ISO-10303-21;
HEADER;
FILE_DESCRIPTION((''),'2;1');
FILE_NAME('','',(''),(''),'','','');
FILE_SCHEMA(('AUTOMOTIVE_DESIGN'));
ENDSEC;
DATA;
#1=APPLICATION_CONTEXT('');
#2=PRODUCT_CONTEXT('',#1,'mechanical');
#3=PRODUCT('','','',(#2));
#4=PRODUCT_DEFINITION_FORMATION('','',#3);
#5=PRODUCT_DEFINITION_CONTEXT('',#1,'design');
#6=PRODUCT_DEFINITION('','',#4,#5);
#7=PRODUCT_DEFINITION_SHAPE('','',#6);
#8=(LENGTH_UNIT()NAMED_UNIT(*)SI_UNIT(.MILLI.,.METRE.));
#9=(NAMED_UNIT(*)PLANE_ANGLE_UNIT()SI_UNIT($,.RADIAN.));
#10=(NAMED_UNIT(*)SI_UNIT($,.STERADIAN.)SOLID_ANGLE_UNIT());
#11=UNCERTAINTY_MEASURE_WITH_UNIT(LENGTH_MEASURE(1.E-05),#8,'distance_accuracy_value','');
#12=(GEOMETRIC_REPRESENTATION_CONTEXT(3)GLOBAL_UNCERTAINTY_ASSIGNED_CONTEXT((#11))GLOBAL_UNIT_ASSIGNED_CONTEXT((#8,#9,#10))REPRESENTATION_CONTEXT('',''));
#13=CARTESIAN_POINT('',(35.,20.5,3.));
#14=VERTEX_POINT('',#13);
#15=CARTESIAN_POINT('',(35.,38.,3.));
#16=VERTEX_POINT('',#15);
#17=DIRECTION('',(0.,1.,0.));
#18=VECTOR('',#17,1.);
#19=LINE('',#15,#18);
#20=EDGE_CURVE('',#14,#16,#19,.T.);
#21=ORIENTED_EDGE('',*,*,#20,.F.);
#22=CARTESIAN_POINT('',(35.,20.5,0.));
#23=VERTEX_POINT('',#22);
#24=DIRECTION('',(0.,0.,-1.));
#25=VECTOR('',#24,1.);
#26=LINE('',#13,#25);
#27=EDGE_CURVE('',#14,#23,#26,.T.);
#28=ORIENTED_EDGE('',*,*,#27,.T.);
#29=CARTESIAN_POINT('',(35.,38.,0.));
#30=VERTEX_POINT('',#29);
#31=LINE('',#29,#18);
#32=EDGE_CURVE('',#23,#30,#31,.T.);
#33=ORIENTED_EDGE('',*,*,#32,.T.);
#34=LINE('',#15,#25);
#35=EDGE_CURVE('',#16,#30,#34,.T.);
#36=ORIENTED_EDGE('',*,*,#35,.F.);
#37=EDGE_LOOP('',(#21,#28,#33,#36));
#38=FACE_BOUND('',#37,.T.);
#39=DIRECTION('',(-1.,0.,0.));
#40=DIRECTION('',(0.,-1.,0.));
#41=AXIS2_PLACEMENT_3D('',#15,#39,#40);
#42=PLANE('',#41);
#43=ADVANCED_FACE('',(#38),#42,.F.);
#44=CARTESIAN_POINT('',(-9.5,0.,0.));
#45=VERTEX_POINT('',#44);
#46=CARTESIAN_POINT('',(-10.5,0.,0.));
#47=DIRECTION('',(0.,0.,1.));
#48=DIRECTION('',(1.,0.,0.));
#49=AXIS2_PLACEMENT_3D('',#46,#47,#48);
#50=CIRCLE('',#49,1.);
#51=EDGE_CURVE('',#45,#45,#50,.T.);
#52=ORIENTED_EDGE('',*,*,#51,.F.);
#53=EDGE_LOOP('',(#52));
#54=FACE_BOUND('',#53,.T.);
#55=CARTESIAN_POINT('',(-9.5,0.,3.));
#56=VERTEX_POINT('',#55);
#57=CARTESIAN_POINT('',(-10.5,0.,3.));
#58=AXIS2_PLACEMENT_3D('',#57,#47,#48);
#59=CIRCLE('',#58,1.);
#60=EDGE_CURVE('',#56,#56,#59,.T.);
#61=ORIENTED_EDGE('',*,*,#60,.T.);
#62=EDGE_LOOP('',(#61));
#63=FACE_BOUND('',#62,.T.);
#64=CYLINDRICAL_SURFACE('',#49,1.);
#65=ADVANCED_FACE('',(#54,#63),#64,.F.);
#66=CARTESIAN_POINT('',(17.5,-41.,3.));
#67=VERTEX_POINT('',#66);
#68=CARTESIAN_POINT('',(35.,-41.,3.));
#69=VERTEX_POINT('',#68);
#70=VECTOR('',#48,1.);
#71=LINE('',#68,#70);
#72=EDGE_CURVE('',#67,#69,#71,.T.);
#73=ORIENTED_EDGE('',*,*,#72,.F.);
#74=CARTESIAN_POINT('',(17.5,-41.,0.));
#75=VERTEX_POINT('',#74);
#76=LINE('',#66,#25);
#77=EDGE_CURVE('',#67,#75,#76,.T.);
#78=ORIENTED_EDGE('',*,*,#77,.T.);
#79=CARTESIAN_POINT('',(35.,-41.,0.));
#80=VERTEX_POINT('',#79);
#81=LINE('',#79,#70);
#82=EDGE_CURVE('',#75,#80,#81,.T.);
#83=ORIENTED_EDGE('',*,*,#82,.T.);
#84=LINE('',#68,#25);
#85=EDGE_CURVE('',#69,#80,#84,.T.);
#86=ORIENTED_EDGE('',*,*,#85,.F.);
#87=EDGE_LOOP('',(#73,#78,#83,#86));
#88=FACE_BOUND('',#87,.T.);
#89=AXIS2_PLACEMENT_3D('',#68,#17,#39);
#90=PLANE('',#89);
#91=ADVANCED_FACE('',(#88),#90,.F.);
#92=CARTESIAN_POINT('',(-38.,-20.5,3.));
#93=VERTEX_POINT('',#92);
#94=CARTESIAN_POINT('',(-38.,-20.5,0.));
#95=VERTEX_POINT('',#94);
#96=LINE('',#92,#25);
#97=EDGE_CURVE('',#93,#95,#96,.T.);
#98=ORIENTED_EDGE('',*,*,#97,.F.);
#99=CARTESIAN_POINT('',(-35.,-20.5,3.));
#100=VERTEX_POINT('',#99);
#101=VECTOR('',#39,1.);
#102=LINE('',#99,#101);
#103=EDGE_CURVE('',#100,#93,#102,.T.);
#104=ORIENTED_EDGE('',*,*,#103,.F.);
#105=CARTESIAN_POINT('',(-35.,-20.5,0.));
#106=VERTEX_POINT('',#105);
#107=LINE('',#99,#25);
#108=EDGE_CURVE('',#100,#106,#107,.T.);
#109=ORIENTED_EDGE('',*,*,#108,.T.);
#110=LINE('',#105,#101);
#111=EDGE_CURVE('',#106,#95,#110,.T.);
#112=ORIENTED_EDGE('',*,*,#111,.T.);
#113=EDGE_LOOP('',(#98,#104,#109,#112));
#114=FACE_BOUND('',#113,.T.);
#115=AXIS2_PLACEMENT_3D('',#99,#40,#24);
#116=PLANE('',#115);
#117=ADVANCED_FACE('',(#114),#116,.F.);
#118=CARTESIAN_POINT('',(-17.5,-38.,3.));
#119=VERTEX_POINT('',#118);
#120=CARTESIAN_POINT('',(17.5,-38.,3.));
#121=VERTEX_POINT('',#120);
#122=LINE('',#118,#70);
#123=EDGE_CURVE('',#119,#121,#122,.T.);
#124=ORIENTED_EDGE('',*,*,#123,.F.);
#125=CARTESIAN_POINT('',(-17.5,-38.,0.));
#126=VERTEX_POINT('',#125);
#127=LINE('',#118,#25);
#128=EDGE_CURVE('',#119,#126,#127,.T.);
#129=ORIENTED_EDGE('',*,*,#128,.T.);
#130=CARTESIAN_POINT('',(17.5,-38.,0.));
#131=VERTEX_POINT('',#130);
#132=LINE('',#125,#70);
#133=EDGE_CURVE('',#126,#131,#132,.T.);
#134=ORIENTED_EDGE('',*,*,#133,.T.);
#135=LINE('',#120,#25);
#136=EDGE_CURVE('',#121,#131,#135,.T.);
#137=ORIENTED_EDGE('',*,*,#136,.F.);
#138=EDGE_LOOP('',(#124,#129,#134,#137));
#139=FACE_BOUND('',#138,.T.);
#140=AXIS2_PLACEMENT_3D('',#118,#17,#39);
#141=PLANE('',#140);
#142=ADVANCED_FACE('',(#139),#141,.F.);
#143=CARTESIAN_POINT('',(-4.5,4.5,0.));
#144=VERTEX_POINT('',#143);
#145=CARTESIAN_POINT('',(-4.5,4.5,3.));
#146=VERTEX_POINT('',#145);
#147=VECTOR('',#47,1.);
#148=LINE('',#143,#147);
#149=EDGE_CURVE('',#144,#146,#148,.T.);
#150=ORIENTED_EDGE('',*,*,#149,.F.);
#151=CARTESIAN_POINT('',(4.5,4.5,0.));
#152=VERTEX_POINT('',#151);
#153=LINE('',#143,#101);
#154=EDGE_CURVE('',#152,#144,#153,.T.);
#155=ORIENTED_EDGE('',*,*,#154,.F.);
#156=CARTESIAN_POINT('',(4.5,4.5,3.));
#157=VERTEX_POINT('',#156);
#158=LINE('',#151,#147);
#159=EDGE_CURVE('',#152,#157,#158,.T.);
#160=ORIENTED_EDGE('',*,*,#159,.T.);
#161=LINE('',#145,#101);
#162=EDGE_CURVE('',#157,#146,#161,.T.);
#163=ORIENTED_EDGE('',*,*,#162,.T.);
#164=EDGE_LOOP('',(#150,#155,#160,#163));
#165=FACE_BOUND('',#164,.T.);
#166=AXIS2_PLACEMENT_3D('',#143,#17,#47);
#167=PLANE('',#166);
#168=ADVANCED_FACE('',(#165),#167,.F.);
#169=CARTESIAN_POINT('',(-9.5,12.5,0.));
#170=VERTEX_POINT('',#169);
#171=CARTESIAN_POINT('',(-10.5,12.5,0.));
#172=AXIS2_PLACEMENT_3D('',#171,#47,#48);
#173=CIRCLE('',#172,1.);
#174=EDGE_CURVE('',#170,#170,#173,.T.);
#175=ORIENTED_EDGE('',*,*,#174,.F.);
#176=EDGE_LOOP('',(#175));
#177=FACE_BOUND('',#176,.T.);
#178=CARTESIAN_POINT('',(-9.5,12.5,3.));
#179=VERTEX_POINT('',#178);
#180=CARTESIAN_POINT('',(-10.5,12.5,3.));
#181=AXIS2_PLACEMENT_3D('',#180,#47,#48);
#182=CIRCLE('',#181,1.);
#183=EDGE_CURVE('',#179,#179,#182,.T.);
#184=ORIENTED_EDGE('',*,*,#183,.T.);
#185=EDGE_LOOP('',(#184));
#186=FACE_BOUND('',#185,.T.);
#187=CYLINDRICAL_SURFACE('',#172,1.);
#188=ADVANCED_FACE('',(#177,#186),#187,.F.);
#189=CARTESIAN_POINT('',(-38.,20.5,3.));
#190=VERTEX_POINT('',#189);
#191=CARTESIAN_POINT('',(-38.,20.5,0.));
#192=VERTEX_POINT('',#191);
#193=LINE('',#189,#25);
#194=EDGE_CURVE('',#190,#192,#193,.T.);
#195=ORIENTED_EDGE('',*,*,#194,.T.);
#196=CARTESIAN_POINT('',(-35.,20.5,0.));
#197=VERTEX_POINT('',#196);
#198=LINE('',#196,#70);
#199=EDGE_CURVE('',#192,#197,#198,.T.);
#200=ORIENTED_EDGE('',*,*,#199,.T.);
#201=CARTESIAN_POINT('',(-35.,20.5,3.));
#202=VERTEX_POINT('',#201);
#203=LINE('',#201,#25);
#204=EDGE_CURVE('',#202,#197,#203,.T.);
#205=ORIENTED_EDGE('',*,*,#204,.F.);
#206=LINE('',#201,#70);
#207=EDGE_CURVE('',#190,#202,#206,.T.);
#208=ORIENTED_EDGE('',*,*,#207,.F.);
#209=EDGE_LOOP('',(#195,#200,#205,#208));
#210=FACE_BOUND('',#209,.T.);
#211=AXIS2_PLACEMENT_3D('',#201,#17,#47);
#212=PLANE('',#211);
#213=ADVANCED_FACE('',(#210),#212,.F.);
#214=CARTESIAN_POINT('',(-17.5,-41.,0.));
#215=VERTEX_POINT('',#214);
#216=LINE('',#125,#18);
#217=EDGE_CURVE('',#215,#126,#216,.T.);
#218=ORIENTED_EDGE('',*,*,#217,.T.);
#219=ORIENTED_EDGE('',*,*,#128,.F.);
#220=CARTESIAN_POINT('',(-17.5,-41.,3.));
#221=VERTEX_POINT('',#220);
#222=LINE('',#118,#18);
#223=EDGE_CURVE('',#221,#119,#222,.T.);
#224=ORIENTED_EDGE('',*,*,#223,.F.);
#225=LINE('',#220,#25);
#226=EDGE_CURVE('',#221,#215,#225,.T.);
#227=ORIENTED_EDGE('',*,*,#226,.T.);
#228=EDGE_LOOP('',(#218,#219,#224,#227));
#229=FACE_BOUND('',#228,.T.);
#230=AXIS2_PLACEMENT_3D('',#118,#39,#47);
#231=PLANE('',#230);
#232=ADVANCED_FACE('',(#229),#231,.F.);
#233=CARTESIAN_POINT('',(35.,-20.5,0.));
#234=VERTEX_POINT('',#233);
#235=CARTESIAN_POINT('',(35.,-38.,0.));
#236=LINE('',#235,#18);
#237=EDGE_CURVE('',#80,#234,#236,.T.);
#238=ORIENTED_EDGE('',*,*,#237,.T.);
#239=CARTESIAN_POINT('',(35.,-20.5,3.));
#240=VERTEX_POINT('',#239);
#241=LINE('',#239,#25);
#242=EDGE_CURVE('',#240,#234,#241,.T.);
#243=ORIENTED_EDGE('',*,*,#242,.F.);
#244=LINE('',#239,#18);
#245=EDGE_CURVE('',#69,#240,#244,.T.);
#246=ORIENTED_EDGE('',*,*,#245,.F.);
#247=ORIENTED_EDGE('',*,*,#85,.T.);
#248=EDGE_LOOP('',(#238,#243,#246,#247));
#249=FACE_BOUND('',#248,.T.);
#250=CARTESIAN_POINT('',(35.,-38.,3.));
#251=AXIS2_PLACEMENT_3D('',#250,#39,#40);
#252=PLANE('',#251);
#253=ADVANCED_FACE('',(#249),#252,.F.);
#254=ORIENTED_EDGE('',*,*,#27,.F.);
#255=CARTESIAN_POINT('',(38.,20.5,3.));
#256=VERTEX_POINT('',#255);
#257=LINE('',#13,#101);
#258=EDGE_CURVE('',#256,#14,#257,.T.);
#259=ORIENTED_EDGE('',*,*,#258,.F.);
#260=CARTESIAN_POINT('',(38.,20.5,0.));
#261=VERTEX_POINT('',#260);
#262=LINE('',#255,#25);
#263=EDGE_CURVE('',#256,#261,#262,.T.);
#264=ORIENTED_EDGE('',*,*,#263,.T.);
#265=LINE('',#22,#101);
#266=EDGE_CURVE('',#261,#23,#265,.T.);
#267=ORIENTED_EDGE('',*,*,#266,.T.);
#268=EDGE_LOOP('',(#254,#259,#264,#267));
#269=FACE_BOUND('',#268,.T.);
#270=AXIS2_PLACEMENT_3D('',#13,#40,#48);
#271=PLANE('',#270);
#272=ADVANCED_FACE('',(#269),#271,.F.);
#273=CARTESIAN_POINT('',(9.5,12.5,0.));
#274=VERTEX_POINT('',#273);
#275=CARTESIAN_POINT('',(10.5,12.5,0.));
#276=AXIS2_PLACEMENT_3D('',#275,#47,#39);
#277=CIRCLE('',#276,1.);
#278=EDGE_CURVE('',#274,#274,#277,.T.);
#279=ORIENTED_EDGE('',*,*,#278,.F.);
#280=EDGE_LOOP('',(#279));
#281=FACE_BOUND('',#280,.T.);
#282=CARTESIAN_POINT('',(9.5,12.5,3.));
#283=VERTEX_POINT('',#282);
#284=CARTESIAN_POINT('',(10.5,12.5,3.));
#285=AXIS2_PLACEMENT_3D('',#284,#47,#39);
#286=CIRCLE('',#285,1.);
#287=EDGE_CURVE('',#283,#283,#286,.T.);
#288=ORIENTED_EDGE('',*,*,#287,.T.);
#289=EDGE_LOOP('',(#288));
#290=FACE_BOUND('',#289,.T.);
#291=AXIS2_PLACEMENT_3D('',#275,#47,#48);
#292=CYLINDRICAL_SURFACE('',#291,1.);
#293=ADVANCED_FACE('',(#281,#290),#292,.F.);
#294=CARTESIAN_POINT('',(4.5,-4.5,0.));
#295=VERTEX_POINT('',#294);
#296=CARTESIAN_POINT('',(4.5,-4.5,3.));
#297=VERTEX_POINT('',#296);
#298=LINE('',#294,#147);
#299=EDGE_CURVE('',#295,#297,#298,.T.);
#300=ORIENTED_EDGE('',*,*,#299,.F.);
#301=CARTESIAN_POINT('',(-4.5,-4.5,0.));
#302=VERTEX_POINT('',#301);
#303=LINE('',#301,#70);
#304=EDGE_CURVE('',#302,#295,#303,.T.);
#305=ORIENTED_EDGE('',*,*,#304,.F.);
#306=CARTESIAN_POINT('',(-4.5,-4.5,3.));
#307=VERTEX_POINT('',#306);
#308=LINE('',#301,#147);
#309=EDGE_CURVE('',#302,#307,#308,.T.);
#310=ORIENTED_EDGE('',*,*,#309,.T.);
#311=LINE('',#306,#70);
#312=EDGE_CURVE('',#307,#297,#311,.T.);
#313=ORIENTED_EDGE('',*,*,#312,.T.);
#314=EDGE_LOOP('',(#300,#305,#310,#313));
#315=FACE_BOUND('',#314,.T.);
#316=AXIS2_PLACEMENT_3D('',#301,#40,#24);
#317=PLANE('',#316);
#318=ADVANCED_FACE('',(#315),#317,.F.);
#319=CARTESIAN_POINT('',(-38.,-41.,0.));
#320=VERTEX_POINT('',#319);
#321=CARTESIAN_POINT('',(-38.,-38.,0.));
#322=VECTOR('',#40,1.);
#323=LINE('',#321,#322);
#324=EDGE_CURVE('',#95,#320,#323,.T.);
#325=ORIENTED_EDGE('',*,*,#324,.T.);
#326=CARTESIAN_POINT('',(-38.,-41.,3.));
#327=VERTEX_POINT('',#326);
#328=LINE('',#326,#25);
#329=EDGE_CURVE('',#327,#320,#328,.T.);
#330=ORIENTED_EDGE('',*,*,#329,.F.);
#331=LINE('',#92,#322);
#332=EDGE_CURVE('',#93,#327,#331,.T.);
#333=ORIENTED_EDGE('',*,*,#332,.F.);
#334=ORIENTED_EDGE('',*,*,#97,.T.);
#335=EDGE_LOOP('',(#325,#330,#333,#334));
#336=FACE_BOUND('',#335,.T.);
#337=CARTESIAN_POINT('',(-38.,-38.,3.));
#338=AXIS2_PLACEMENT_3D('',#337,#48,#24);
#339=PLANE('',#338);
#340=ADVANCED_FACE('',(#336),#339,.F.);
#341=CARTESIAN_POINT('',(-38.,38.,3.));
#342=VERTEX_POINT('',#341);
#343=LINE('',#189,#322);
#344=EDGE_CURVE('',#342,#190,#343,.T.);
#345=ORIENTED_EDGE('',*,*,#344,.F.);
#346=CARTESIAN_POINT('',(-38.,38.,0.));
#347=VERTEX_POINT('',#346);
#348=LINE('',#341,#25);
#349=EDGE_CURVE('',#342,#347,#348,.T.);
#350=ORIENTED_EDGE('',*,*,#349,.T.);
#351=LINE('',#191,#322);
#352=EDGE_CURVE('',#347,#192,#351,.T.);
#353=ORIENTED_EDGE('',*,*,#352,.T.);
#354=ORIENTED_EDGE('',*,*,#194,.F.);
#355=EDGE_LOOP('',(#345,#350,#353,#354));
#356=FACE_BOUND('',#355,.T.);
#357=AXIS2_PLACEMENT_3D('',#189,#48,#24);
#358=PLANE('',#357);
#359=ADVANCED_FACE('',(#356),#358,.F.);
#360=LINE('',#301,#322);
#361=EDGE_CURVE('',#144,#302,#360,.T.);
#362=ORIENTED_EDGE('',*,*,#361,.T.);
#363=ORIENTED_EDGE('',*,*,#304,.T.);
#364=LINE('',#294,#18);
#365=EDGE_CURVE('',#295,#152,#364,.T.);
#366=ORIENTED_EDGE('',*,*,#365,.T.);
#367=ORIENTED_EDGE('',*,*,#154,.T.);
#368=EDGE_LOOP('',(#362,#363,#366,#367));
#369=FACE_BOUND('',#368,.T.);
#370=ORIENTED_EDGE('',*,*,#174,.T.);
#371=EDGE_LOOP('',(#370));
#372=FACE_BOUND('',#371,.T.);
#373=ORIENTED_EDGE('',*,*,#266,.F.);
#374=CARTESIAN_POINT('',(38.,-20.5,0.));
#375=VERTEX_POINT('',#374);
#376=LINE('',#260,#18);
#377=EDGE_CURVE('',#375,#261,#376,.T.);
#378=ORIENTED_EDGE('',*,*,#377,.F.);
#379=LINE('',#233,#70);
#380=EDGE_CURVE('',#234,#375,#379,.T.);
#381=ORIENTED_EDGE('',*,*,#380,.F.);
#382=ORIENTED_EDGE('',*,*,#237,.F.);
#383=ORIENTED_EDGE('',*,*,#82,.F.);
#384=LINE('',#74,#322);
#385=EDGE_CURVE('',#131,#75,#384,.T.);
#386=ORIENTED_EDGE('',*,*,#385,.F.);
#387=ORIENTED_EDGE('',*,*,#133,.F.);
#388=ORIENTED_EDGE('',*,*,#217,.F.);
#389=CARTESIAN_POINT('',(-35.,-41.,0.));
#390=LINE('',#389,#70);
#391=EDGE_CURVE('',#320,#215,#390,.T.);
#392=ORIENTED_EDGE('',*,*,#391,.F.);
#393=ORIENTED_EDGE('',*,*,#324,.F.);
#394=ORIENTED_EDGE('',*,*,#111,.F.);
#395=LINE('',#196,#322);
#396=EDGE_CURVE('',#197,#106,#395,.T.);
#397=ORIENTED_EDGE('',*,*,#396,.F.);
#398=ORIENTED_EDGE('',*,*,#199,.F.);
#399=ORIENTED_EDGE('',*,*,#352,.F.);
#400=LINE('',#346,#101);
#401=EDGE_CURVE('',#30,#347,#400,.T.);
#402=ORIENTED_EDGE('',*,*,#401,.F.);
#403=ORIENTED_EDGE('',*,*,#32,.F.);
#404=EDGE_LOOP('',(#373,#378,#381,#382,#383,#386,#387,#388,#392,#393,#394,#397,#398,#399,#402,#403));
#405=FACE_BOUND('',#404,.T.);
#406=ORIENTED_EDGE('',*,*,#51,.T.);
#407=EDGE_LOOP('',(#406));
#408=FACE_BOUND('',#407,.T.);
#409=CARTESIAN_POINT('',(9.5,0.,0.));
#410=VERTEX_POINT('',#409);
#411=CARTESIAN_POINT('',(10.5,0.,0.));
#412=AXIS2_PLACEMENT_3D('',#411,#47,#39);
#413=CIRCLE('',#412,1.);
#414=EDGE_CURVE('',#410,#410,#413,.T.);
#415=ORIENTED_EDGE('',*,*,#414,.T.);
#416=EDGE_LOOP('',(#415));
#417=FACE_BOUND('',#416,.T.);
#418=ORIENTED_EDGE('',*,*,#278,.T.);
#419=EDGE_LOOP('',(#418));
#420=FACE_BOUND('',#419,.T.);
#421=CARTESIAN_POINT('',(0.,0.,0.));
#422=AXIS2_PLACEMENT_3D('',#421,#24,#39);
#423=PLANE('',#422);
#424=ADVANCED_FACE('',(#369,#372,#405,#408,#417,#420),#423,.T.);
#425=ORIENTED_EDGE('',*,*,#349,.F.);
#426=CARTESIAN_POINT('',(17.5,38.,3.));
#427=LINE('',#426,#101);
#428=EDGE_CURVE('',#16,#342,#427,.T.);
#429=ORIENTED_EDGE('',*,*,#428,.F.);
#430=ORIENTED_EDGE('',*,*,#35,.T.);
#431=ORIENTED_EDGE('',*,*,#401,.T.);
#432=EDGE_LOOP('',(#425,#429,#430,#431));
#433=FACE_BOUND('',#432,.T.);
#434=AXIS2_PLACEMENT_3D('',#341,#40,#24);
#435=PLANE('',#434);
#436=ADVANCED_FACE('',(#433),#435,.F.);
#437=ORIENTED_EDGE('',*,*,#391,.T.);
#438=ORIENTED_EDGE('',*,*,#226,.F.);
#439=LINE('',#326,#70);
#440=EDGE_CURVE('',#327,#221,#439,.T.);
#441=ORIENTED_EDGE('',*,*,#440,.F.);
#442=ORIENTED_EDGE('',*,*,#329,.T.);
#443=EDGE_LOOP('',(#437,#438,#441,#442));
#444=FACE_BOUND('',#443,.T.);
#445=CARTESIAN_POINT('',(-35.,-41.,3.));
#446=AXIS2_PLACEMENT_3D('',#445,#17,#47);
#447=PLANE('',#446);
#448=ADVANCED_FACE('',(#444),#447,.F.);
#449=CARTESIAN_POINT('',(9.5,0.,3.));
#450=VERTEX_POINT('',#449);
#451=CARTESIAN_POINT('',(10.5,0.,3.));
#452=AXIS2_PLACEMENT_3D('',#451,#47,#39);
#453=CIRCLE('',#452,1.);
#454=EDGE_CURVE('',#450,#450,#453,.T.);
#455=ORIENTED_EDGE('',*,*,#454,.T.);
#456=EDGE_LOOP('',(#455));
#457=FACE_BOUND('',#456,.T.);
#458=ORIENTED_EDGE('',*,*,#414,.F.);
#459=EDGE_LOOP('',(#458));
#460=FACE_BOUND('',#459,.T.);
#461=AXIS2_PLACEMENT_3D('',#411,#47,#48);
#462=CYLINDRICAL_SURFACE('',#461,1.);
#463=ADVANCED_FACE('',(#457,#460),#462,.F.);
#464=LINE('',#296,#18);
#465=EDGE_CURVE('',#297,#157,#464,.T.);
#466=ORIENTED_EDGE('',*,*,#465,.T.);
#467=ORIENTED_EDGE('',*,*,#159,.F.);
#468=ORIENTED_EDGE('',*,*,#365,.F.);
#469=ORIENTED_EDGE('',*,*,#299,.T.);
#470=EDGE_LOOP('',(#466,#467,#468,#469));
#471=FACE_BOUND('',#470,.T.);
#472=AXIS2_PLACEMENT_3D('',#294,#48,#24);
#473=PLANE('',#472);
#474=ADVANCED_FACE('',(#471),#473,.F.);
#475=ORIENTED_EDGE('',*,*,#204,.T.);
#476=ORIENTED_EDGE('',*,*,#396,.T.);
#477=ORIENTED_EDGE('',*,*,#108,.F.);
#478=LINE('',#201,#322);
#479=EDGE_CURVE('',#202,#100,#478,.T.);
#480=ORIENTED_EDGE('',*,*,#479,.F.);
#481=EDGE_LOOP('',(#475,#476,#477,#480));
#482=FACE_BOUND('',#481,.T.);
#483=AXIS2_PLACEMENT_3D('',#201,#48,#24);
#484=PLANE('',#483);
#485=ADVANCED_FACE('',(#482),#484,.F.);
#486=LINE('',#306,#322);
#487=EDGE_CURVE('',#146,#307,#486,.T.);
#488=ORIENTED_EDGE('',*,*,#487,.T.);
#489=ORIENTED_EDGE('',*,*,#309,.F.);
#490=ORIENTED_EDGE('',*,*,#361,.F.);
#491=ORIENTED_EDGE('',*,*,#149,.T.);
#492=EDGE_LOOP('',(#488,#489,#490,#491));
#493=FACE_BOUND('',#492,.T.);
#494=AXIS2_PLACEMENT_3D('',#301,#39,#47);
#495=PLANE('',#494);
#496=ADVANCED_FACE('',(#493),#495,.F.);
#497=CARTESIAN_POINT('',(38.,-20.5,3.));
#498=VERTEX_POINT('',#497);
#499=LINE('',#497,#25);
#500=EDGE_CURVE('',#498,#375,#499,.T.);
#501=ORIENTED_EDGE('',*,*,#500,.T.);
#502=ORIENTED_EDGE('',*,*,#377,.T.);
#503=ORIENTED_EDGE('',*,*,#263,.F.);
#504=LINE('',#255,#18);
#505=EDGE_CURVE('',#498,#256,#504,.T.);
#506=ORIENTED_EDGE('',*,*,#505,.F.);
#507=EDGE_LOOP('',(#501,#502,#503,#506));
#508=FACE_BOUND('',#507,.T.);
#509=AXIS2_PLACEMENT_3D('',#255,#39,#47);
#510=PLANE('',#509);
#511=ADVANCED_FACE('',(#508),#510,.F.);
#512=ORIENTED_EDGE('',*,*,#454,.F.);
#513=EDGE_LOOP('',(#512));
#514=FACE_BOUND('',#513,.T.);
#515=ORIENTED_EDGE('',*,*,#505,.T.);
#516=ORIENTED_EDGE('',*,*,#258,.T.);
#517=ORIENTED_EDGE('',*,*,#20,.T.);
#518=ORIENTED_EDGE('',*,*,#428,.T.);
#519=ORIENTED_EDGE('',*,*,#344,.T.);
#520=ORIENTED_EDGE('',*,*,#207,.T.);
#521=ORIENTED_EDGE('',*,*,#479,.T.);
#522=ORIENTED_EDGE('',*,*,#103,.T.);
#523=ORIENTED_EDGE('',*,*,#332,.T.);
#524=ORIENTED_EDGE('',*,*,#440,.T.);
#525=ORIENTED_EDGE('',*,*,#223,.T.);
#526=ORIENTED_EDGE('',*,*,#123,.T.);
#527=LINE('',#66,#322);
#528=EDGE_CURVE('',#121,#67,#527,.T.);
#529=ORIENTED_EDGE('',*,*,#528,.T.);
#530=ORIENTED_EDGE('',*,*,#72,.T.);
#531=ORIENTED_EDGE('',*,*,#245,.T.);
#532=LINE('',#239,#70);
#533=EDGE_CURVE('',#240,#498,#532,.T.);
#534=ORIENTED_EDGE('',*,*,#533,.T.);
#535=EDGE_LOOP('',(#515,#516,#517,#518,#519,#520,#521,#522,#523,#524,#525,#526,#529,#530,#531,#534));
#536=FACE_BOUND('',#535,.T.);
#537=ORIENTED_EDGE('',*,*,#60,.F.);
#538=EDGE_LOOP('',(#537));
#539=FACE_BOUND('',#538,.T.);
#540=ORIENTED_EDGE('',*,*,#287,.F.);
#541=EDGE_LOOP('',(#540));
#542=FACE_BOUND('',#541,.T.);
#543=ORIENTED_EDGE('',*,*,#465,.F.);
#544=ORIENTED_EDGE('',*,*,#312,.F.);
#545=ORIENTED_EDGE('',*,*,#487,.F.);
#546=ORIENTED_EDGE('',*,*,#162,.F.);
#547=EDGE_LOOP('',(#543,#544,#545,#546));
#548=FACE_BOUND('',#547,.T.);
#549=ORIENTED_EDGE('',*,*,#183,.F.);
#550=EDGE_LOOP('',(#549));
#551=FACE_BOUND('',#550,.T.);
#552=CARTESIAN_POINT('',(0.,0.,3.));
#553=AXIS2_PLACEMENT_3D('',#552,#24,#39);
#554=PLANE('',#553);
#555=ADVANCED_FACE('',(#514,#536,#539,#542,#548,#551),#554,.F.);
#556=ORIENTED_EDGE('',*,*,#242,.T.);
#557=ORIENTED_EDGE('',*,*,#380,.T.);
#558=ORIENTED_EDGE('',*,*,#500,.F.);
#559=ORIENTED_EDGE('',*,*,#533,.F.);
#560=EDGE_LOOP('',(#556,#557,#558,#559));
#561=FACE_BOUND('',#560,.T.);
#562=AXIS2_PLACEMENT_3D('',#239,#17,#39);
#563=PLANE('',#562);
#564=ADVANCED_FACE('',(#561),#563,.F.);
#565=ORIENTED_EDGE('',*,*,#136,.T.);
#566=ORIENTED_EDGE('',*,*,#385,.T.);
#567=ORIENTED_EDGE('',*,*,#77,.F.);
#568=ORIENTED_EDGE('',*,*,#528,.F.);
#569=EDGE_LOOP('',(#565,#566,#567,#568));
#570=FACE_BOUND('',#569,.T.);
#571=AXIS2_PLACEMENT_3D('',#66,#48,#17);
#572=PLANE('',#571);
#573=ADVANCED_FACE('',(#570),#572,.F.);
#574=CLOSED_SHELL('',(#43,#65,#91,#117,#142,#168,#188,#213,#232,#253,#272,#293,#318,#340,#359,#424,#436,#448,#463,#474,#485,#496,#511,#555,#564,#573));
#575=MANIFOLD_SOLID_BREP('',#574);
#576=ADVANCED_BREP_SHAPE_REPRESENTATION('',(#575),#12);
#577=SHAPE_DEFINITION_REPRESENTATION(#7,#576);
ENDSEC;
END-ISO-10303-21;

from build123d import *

# Parameters (mm, degrees)
BOSS_EXTRUDE1_DEPTH = 3
SKETCH2_R           = 1
SKETCH2_W           = 9
SKETCH2_H           = 9
CUT_EXTRUDE1_DEPTH  = 3


with BuildPart() as part:
    # Sketch1 → Boss-Extrude1 (new body)
    with BuildSketch(Plane.XY):
        Polygon((-35, 38), (-17.5, 38), (17.5, 38), (35, 38), (35, 20.5), (38, 20.5), (38, -20.5), (35, -20.5), (35, -38), (35, -41), (17.5, -41), (17.5, -38), (-17.5, -38), (-17.5, -41), (-35, -41), (-38, -41), (-38, -38), (-38, -20.5), (-35, -20.5), (-35, 20.5), (-38, 20.5), (-38, 38), align=None)
    extrude(amount=BOSS_EXTRUDE1_DEPTH)

    # Sketch2 → Cut-Extrude1 (cut)
    with BuildSketch(Plane.XY.offset(3)):
        with Locations((-10.5, 12.5)):
            Circle(SKETCH2_R)
        with Locations((-10.5, 0)):
            Circle(SKETCH2_R)
        with Locations((10.5, 12.5)):
            Circle(SKETCH2_R)
        with Locations((10.5, 0)):
            Circle(SKETCH2_R)
        Rectangle(SKETCH2_W, SKETCH2_H)
    extrude(amount=-CUT_EXTRUDE1_DEPTH, mode=Mode.SUBTRACT)


solid = part.part
